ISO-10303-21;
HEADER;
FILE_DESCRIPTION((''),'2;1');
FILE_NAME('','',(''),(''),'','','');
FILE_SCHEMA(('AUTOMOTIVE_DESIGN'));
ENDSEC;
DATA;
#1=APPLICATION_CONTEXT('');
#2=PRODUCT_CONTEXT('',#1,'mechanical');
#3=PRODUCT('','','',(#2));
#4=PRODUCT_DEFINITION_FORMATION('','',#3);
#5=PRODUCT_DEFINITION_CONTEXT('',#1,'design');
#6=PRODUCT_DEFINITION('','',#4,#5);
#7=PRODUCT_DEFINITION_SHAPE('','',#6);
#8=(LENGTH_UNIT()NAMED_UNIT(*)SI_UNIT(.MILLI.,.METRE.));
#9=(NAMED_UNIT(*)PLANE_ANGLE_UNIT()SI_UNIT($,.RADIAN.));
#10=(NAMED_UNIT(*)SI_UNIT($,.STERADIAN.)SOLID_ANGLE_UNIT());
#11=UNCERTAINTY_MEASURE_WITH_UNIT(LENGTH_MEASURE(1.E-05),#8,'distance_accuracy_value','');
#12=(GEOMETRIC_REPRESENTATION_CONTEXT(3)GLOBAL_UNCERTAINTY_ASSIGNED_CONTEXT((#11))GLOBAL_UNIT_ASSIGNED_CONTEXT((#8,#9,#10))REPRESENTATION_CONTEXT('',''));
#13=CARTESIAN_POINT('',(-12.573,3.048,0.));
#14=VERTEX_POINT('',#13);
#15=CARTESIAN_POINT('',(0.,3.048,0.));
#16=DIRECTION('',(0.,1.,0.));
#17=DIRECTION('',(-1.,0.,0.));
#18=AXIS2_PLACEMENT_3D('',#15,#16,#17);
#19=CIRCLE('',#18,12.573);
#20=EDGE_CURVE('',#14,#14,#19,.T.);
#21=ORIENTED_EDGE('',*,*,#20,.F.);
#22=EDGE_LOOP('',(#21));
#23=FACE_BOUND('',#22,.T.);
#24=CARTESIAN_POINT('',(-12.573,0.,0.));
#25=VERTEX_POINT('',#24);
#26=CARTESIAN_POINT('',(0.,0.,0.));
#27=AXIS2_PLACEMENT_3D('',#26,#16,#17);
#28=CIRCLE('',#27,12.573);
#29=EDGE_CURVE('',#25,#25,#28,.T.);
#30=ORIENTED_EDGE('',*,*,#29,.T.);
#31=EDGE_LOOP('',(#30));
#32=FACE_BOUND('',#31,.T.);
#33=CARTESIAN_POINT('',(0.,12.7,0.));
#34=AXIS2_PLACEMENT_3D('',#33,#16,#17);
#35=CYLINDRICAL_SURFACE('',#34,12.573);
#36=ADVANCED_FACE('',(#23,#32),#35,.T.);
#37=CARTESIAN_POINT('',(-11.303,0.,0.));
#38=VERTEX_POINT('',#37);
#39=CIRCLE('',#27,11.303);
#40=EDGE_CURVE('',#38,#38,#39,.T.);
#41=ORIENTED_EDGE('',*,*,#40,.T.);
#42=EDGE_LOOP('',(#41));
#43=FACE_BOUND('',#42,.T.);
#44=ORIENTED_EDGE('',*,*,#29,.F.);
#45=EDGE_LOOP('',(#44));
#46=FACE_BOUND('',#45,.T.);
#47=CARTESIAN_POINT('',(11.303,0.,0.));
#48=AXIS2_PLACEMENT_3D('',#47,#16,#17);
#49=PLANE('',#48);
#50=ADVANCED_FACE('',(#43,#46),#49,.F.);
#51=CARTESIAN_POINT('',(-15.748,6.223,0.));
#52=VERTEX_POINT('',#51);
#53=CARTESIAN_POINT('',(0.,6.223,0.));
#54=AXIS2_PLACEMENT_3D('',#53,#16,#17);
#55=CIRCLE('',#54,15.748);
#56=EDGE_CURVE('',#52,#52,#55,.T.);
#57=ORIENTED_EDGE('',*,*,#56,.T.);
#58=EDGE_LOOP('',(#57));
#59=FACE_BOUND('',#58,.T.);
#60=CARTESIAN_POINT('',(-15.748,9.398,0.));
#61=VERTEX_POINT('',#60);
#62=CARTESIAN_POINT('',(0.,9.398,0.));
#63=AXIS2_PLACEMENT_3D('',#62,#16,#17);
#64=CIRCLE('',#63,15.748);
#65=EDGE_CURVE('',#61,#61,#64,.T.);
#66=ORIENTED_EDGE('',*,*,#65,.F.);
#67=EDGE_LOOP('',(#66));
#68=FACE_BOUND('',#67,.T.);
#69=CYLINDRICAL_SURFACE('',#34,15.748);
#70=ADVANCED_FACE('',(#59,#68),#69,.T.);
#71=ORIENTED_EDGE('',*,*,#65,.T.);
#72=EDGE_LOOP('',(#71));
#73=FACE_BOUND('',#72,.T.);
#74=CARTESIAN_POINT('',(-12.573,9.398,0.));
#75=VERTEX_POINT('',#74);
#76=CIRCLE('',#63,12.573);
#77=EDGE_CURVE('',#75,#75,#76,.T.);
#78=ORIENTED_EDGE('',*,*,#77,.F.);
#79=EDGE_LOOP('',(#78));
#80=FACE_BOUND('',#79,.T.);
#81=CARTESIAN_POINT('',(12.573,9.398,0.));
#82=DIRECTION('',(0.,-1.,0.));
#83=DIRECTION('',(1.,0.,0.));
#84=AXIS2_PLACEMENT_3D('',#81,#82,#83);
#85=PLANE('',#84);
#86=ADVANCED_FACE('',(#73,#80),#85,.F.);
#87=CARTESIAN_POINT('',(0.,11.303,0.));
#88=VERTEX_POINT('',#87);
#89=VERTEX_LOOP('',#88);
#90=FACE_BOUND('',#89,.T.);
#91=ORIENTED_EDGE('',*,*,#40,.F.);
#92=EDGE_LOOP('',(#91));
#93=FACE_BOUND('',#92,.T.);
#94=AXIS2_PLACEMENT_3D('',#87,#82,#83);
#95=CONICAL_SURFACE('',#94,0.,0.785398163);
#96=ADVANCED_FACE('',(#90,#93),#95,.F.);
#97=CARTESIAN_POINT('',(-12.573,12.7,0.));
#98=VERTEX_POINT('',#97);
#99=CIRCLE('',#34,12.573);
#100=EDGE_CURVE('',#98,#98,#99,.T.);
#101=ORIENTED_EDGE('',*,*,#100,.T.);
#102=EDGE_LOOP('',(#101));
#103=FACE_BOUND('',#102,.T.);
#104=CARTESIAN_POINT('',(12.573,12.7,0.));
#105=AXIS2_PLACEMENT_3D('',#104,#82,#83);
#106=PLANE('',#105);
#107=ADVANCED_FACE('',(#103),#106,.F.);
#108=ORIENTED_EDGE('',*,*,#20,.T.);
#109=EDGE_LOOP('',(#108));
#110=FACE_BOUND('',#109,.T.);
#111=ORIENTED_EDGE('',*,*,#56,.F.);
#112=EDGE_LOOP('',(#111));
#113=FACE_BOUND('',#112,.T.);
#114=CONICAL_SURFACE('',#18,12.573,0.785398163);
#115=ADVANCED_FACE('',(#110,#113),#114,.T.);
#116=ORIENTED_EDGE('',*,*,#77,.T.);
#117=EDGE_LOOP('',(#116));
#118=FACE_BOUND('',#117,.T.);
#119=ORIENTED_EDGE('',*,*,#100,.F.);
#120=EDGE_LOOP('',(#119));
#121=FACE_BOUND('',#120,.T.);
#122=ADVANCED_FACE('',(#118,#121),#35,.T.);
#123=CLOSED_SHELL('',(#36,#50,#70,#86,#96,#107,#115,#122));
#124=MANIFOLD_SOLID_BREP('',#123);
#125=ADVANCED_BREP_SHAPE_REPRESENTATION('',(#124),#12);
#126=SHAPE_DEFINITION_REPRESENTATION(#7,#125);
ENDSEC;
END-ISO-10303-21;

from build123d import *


with BuildPart() as part:
    # Sketch2 → Revolve1 (revolve)
    with BuildSketch(Plane.XY):
        Polygon((11.303, 0), (12.573, 0), (12.573, 3.048), (15.748, 6.223), (15.748, 9.398), (12.573, 9.398), (12.573, 12.7), (0, 12.7), (0, 11.303), align=None)
    revolve(axis=Axis((0, 12.7, 0), (0, -1, 0)))


solid = part.part
